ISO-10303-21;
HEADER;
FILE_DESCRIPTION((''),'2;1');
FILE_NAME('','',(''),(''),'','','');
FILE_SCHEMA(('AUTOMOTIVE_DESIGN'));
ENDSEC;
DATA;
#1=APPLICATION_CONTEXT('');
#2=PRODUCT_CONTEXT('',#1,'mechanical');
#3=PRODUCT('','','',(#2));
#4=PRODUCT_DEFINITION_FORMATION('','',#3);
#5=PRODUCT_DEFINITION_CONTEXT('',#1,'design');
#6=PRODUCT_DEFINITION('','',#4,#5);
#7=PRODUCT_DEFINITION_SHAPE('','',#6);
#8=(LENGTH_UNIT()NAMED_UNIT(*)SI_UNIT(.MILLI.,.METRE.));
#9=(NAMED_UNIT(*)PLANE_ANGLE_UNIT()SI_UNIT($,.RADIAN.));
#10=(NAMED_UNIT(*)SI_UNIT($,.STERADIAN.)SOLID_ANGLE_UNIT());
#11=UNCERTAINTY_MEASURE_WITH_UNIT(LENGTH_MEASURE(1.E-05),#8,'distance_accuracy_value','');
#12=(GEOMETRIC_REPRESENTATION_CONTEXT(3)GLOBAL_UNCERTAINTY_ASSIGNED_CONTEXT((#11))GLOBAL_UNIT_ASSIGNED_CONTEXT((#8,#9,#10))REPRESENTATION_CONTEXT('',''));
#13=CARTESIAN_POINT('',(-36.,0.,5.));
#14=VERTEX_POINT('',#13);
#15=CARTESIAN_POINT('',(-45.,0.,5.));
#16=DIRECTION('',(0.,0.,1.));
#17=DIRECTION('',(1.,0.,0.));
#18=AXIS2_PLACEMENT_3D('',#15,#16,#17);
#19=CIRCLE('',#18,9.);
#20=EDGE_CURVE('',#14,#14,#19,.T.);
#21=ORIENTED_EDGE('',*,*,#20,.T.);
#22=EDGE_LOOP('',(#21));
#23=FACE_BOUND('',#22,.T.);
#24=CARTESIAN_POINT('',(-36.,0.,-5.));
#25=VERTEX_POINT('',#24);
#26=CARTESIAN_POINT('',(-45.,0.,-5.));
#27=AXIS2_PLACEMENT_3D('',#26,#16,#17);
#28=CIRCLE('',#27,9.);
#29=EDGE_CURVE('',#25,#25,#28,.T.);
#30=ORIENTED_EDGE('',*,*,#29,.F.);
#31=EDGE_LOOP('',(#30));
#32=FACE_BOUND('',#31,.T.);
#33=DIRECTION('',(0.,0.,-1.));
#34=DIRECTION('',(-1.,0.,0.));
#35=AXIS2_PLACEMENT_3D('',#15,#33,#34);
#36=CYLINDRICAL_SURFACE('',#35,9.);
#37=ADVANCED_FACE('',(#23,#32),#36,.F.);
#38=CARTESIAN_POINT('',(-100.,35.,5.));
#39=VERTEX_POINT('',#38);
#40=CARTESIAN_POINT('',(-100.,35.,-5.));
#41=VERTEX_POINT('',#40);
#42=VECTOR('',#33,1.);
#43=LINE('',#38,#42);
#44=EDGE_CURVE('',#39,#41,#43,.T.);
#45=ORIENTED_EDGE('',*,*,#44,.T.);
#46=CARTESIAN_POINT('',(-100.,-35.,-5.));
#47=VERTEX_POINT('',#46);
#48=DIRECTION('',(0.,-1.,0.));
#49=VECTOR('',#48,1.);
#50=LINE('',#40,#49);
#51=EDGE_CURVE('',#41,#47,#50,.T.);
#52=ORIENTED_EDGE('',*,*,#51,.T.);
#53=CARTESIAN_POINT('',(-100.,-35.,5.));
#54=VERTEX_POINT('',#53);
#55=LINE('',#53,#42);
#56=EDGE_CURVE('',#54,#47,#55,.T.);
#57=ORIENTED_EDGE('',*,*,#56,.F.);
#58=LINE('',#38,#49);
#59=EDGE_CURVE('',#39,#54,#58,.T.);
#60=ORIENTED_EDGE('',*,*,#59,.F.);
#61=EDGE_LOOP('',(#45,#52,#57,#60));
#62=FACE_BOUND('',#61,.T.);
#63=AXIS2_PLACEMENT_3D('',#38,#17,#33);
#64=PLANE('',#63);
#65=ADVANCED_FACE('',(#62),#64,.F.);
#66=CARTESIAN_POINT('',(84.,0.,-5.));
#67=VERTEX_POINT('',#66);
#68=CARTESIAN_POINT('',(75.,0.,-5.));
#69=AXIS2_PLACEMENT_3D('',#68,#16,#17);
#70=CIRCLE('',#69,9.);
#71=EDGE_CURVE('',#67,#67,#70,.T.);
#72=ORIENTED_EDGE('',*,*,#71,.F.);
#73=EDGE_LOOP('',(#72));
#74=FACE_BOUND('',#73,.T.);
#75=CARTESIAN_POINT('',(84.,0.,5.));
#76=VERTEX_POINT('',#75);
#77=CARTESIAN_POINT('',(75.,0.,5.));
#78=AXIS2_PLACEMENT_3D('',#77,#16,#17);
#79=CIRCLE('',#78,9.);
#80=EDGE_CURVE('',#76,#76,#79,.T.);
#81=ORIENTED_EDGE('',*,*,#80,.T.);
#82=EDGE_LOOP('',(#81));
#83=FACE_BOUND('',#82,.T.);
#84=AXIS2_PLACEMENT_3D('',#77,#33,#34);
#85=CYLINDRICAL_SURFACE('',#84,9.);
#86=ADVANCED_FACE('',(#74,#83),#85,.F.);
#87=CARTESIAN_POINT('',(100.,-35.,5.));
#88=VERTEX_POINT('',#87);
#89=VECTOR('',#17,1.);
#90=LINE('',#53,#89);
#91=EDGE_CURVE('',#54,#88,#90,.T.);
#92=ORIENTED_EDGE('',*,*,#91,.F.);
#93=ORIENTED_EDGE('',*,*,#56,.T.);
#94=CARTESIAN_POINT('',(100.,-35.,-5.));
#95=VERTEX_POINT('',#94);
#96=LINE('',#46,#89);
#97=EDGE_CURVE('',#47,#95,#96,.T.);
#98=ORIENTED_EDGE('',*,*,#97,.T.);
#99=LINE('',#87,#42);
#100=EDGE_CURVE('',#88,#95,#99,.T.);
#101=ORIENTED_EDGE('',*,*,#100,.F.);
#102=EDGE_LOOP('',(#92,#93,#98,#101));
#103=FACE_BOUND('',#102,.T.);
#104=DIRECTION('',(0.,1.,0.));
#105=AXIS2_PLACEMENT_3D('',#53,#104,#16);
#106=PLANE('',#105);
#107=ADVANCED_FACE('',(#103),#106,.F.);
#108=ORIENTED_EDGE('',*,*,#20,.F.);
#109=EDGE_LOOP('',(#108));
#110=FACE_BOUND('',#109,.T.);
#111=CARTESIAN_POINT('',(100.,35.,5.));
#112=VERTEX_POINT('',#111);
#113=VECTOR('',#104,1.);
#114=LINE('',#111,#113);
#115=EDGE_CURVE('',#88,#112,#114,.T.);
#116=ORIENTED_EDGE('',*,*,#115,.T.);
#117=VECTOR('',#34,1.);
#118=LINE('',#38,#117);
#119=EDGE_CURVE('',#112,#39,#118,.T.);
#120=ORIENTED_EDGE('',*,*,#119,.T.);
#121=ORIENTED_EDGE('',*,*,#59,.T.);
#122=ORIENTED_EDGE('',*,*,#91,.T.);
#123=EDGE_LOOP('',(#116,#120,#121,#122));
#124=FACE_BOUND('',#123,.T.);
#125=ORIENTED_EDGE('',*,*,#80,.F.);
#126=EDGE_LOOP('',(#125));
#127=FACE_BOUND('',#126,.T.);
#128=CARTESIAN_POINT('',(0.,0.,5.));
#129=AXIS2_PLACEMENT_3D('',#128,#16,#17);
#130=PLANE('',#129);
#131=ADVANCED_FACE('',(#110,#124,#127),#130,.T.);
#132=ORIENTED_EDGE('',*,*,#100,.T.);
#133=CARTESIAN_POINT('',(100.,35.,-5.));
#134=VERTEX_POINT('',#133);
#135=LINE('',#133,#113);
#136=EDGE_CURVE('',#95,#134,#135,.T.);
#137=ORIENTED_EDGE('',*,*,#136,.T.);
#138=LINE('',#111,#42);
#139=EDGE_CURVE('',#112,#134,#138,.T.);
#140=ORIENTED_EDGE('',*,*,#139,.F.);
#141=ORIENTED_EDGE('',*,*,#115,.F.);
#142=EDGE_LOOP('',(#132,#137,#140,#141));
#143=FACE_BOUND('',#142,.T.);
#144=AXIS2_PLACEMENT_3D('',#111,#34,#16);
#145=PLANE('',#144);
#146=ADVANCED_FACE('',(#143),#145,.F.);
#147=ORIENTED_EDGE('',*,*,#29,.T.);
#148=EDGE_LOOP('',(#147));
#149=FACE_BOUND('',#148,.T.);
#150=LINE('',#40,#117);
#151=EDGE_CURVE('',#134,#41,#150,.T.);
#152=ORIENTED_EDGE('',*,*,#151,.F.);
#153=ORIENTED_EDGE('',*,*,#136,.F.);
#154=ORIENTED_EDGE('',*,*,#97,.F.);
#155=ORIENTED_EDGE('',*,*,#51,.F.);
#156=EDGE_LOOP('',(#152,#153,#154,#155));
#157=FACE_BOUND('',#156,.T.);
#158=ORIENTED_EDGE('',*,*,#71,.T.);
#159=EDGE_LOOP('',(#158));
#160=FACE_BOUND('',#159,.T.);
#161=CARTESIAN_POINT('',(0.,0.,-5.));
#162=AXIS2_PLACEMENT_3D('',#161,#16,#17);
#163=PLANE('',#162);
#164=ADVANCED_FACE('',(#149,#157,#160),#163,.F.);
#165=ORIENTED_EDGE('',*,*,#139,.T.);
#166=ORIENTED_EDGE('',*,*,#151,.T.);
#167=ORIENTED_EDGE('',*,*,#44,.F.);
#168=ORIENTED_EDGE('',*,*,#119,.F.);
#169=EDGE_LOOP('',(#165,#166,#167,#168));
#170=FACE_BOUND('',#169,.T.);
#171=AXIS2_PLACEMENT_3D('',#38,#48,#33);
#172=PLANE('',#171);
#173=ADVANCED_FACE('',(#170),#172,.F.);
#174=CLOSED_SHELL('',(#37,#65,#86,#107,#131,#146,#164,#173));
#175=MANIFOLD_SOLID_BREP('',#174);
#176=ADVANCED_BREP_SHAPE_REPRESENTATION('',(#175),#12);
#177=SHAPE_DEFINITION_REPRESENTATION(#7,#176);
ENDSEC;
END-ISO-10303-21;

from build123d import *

# Parameters (mm, degrees)
SKETCH1_W           = 200
SKETCH1_H           = 70
SKETCH1_R           = 9
BOSS_EXTRUDE1_DEPTH = 5


with BuildPart() as part:
    # Sketch1 → Boss-Extrude1 (new, symmetric)
    with BuildSketch(Plane.XY):
        Rectangle(SKETCH1_W, SKETCH1_H)
        with Locations((75, 0)):
            Circle(SKETCH1_R, mode=Mode.SUBTRACT)
        with Locations((-45, 0)):
            Circle(SKETCH1_R, mode=Mode.SUBTRACT)
    extrude(amount=BOSS_EXTRUDE1_DEPTH, both=True)


solid = part.part
